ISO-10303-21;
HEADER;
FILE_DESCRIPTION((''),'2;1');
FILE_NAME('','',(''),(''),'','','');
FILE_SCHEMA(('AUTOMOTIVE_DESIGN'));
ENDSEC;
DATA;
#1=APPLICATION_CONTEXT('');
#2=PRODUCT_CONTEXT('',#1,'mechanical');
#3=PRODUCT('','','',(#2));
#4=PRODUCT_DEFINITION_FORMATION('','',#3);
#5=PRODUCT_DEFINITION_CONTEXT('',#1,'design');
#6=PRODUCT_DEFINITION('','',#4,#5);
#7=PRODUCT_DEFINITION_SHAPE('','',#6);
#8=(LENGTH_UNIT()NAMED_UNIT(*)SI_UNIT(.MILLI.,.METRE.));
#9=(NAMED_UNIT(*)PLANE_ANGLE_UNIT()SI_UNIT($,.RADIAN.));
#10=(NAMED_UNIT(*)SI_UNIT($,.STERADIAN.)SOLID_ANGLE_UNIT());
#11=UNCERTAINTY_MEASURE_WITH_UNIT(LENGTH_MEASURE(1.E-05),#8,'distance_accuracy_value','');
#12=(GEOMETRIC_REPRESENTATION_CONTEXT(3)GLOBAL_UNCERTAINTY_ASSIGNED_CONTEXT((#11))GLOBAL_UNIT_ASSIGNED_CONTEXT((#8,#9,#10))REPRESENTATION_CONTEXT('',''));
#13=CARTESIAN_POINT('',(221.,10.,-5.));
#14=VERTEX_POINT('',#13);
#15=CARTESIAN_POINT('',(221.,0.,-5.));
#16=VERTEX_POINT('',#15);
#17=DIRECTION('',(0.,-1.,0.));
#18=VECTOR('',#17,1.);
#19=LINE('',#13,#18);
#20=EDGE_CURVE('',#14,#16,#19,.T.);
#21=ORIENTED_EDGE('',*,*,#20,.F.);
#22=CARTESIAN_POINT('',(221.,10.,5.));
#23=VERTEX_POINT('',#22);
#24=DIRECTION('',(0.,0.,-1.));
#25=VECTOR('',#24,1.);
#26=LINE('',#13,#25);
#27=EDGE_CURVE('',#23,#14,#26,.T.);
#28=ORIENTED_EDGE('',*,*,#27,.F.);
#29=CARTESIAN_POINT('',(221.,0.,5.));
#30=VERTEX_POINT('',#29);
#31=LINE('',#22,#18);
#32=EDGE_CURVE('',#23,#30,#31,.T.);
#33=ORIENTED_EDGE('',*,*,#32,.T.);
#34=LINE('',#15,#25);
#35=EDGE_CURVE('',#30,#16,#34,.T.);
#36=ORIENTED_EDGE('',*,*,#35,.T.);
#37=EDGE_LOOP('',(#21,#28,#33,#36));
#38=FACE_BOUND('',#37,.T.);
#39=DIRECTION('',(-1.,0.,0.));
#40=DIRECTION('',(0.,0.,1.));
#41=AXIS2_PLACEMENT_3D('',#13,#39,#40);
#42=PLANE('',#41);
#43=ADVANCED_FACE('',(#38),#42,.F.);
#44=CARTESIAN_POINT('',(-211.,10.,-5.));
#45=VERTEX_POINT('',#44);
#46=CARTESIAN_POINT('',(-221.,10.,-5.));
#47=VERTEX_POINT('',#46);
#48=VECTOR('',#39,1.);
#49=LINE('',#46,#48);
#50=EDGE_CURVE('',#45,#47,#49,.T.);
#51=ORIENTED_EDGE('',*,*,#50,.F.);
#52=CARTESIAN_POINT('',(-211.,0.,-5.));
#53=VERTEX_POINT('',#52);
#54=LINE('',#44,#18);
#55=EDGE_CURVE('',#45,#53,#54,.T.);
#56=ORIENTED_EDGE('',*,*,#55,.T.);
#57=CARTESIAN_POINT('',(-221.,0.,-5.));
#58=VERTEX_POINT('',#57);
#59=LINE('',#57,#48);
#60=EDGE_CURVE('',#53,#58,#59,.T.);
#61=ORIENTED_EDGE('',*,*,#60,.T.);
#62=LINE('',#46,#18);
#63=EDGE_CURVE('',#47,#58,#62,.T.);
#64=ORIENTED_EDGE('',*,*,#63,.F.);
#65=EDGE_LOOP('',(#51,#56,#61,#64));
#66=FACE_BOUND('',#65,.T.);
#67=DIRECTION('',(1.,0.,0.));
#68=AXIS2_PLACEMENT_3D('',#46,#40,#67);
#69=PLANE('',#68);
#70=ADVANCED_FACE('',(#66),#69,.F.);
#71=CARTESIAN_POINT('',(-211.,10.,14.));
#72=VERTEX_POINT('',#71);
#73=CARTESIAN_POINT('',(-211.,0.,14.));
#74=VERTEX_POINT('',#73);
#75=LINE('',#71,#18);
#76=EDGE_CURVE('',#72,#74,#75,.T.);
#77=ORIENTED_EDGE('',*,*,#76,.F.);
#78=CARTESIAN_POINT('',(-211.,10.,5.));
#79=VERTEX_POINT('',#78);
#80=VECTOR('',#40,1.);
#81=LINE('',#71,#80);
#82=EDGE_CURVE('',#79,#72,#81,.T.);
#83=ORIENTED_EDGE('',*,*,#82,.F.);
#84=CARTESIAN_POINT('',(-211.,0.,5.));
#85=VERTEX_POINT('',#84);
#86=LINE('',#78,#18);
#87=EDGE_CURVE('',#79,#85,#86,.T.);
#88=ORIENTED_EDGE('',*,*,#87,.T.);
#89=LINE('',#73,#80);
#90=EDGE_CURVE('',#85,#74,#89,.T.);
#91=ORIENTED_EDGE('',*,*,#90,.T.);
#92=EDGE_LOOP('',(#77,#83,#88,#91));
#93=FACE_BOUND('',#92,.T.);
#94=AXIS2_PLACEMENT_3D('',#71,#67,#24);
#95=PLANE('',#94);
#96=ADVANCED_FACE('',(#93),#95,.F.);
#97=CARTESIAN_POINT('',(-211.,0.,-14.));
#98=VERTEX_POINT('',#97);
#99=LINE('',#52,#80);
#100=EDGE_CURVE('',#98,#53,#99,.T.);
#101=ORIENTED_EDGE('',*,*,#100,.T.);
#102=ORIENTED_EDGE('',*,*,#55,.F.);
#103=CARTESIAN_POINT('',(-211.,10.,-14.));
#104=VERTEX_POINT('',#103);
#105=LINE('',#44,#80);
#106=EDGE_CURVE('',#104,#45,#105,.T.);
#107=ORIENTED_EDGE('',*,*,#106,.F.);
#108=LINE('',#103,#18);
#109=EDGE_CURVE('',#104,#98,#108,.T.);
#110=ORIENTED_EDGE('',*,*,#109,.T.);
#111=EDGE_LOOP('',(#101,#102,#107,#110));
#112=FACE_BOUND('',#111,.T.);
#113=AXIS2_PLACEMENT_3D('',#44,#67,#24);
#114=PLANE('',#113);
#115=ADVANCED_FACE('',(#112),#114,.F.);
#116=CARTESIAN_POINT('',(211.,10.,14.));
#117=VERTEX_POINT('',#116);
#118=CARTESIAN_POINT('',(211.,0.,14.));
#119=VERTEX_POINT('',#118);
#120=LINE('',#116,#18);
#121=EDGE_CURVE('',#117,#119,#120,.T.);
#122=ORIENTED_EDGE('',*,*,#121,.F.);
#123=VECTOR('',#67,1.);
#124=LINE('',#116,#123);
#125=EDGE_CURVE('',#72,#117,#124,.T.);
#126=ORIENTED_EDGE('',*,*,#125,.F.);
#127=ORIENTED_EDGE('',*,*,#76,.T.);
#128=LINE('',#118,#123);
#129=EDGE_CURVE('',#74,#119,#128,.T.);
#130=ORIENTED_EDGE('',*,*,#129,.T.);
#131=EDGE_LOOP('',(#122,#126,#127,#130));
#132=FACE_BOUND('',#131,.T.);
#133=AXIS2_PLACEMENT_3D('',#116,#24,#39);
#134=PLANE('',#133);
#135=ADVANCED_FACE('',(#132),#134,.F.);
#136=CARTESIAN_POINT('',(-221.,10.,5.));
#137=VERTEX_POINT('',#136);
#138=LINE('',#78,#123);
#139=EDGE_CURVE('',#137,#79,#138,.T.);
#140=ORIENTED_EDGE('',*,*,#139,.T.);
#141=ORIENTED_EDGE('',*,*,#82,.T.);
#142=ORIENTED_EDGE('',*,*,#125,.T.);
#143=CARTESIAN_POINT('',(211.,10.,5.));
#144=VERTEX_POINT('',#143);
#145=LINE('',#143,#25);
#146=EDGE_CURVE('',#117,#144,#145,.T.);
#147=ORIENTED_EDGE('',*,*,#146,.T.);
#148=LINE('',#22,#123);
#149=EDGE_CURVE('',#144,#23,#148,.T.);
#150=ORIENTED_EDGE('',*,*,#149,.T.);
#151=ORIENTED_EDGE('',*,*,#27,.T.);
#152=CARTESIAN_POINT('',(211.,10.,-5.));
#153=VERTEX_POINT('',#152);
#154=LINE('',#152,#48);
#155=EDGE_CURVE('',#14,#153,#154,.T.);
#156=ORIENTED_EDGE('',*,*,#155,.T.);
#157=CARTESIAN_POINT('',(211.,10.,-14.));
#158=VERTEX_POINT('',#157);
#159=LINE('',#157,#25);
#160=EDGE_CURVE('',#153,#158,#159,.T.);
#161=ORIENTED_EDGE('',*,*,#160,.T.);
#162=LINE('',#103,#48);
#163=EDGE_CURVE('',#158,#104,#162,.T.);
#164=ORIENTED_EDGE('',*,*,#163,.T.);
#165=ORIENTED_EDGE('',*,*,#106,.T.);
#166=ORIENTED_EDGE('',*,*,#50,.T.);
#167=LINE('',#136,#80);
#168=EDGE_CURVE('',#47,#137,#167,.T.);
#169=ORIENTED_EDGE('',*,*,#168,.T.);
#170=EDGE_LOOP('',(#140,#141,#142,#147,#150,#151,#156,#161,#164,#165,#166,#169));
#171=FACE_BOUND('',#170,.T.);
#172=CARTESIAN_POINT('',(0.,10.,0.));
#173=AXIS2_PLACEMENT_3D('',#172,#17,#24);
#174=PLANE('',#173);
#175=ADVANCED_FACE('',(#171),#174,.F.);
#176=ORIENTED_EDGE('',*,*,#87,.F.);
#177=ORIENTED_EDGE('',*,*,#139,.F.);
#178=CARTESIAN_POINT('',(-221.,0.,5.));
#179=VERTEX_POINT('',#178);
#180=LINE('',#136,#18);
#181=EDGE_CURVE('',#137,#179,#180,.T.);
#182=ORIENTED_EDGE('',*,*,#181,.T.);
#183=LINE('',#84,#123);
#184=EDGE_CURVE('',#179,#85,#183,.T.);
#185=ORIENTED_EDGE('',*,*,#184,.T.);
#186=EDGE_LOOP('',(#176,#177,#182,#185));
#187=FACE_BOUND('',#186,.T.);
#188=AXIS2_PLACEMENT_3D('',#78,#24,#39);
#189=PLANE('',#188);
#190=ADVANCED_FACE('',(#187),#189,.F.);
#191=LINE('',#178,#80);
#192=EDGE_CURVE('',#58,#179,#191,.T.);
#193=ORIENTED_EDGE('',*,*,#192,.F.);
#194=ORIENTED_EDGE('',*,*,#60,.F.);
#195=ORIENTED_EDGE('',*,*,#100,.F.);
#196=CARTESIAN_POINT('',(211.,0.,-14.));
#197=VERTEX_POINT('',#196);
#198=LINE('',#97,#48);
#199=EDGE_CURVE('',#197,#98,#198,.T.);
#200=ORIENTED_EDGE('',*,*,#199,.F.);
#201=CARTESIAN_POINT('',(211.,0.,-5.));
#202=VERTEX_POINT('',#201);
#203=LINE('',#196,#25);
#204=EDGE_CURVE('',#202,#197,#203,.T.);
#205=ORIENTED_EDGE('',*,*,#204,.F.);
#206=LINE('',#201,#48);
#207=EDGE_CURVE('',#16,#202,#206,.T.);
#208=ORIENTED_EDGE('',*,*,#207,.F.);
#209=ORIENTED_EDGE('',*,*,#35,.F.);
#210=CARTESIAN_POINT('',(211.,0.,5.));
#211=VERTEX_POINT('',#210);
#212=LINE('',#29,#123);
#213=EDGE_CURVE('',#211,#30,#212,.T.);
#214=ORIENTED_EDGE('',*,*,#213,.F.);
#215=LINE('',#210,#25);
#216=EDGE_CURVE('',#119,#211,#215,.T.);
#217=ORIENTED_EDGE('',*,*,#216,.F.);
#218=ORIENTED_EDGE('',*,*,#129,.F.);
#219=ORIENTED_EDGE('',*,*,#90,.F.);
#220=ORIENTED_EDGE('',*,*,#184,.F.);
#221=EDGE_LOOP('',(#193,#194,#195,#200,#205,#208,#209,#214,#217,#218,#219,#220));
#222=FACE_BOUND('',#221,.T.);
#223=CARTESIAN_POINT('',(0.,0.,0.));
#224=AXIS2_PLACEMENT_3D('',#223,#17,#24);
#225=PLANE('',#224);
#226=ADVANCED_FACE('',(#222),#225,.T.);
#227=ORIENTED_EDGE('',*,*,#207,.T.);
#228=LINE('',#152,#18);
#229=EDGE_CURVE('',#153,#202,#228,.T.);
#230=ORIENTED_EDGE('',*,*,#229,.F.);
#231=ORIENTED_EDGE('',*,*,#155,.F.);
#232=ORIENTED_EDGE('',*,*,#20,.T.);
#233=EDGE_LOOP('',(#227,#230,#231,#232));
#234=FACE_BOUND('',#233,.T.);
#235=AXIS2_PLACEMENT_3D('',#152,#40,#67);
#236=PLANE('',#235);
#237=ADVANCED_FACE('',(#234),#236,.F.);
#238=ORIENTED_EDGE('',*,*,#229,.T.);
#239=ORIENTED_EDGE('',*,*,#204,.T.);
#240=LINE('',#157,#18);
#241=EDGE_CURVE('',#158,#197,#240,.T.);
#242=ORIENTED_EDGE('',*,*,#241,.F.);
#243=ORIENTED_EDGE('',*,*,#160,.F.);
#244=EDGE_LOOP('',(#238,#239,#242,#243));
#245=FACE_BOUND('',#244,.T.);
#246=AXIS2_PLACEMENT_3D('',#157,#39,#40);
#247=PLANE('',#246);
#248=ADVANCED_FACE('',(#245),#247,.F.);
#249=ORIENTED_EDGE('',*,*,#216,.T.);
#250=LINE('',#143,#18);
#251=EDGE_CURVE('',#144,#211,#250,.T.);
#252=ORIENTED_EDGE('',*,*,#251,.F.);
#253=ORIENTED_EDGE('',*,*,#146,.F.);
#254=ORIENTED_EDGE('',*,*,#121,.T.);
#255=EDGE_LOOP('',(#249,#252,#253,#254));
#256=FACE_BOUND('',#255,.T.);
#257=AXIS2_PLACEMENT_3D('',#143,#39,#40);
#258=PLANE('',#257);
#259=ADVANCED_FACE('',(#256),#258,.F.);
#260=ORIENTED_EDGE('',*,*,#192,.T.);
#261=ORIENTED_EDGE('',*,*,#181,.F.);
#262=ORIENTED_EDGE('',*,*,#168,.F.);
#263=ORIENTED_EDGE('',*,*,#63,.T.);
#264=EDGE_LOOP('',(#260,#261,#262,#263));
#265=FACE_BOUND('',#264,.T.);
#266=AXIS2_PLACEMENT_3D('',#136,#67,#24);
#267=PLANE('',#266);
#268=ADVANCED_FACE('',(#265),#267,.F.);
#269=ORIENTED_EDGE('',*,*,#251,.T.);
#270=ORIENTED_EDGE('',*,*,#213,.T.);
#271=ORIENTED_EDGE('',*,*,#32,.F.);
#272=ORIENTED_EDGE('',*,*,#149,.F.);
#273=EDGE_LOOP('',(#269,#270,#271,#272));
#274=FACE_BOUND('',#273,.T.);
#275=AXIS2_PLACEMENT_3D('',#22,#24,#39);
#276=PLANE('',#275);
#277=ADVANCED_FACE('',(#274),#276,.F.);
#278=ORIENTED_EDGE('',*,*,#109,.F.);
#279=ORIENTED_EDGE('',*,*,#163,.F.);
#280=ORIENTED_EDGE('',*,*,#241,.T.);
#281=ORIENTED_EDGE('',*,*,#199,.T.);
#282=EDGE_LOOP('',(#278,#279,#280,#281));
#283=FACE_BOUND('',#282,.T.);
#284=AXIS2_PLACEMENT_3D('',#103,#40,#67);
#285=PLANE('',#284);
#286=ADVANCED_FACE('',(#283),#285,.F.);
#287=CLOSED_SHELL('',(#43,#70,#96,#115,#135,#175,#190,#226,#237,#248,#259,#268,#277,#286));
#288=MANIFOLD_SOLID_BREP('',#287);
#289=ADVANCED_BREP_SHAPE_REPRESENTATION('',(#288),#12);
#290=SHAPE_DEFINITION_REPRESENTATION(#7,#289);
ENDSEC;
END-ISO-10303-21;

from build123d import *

# Parameters (mm, degrees)
SALIENTE_EXTRUIR1_DEPTH = 10


with BuildPart() as part:
    # Croquis1 → Saliente-Extruir1 (new body)
    with BuildSketch(Plane(origin=(0, 0, 0), x_dir=(1, 0, 0), z_dir=(0, 1, 0))):
        Polygon((-211, 14), (211, 14), (211, 5), (221, 5), (221, -5), (211, -5), (211, -14), (-211, -14), (-211, -5), (-221, -5), (-221, 5), (-211, 5), align=None)
    extrude(amount=SALIENTE_EXTRUIR1_DEPTH)


solid = part.part
